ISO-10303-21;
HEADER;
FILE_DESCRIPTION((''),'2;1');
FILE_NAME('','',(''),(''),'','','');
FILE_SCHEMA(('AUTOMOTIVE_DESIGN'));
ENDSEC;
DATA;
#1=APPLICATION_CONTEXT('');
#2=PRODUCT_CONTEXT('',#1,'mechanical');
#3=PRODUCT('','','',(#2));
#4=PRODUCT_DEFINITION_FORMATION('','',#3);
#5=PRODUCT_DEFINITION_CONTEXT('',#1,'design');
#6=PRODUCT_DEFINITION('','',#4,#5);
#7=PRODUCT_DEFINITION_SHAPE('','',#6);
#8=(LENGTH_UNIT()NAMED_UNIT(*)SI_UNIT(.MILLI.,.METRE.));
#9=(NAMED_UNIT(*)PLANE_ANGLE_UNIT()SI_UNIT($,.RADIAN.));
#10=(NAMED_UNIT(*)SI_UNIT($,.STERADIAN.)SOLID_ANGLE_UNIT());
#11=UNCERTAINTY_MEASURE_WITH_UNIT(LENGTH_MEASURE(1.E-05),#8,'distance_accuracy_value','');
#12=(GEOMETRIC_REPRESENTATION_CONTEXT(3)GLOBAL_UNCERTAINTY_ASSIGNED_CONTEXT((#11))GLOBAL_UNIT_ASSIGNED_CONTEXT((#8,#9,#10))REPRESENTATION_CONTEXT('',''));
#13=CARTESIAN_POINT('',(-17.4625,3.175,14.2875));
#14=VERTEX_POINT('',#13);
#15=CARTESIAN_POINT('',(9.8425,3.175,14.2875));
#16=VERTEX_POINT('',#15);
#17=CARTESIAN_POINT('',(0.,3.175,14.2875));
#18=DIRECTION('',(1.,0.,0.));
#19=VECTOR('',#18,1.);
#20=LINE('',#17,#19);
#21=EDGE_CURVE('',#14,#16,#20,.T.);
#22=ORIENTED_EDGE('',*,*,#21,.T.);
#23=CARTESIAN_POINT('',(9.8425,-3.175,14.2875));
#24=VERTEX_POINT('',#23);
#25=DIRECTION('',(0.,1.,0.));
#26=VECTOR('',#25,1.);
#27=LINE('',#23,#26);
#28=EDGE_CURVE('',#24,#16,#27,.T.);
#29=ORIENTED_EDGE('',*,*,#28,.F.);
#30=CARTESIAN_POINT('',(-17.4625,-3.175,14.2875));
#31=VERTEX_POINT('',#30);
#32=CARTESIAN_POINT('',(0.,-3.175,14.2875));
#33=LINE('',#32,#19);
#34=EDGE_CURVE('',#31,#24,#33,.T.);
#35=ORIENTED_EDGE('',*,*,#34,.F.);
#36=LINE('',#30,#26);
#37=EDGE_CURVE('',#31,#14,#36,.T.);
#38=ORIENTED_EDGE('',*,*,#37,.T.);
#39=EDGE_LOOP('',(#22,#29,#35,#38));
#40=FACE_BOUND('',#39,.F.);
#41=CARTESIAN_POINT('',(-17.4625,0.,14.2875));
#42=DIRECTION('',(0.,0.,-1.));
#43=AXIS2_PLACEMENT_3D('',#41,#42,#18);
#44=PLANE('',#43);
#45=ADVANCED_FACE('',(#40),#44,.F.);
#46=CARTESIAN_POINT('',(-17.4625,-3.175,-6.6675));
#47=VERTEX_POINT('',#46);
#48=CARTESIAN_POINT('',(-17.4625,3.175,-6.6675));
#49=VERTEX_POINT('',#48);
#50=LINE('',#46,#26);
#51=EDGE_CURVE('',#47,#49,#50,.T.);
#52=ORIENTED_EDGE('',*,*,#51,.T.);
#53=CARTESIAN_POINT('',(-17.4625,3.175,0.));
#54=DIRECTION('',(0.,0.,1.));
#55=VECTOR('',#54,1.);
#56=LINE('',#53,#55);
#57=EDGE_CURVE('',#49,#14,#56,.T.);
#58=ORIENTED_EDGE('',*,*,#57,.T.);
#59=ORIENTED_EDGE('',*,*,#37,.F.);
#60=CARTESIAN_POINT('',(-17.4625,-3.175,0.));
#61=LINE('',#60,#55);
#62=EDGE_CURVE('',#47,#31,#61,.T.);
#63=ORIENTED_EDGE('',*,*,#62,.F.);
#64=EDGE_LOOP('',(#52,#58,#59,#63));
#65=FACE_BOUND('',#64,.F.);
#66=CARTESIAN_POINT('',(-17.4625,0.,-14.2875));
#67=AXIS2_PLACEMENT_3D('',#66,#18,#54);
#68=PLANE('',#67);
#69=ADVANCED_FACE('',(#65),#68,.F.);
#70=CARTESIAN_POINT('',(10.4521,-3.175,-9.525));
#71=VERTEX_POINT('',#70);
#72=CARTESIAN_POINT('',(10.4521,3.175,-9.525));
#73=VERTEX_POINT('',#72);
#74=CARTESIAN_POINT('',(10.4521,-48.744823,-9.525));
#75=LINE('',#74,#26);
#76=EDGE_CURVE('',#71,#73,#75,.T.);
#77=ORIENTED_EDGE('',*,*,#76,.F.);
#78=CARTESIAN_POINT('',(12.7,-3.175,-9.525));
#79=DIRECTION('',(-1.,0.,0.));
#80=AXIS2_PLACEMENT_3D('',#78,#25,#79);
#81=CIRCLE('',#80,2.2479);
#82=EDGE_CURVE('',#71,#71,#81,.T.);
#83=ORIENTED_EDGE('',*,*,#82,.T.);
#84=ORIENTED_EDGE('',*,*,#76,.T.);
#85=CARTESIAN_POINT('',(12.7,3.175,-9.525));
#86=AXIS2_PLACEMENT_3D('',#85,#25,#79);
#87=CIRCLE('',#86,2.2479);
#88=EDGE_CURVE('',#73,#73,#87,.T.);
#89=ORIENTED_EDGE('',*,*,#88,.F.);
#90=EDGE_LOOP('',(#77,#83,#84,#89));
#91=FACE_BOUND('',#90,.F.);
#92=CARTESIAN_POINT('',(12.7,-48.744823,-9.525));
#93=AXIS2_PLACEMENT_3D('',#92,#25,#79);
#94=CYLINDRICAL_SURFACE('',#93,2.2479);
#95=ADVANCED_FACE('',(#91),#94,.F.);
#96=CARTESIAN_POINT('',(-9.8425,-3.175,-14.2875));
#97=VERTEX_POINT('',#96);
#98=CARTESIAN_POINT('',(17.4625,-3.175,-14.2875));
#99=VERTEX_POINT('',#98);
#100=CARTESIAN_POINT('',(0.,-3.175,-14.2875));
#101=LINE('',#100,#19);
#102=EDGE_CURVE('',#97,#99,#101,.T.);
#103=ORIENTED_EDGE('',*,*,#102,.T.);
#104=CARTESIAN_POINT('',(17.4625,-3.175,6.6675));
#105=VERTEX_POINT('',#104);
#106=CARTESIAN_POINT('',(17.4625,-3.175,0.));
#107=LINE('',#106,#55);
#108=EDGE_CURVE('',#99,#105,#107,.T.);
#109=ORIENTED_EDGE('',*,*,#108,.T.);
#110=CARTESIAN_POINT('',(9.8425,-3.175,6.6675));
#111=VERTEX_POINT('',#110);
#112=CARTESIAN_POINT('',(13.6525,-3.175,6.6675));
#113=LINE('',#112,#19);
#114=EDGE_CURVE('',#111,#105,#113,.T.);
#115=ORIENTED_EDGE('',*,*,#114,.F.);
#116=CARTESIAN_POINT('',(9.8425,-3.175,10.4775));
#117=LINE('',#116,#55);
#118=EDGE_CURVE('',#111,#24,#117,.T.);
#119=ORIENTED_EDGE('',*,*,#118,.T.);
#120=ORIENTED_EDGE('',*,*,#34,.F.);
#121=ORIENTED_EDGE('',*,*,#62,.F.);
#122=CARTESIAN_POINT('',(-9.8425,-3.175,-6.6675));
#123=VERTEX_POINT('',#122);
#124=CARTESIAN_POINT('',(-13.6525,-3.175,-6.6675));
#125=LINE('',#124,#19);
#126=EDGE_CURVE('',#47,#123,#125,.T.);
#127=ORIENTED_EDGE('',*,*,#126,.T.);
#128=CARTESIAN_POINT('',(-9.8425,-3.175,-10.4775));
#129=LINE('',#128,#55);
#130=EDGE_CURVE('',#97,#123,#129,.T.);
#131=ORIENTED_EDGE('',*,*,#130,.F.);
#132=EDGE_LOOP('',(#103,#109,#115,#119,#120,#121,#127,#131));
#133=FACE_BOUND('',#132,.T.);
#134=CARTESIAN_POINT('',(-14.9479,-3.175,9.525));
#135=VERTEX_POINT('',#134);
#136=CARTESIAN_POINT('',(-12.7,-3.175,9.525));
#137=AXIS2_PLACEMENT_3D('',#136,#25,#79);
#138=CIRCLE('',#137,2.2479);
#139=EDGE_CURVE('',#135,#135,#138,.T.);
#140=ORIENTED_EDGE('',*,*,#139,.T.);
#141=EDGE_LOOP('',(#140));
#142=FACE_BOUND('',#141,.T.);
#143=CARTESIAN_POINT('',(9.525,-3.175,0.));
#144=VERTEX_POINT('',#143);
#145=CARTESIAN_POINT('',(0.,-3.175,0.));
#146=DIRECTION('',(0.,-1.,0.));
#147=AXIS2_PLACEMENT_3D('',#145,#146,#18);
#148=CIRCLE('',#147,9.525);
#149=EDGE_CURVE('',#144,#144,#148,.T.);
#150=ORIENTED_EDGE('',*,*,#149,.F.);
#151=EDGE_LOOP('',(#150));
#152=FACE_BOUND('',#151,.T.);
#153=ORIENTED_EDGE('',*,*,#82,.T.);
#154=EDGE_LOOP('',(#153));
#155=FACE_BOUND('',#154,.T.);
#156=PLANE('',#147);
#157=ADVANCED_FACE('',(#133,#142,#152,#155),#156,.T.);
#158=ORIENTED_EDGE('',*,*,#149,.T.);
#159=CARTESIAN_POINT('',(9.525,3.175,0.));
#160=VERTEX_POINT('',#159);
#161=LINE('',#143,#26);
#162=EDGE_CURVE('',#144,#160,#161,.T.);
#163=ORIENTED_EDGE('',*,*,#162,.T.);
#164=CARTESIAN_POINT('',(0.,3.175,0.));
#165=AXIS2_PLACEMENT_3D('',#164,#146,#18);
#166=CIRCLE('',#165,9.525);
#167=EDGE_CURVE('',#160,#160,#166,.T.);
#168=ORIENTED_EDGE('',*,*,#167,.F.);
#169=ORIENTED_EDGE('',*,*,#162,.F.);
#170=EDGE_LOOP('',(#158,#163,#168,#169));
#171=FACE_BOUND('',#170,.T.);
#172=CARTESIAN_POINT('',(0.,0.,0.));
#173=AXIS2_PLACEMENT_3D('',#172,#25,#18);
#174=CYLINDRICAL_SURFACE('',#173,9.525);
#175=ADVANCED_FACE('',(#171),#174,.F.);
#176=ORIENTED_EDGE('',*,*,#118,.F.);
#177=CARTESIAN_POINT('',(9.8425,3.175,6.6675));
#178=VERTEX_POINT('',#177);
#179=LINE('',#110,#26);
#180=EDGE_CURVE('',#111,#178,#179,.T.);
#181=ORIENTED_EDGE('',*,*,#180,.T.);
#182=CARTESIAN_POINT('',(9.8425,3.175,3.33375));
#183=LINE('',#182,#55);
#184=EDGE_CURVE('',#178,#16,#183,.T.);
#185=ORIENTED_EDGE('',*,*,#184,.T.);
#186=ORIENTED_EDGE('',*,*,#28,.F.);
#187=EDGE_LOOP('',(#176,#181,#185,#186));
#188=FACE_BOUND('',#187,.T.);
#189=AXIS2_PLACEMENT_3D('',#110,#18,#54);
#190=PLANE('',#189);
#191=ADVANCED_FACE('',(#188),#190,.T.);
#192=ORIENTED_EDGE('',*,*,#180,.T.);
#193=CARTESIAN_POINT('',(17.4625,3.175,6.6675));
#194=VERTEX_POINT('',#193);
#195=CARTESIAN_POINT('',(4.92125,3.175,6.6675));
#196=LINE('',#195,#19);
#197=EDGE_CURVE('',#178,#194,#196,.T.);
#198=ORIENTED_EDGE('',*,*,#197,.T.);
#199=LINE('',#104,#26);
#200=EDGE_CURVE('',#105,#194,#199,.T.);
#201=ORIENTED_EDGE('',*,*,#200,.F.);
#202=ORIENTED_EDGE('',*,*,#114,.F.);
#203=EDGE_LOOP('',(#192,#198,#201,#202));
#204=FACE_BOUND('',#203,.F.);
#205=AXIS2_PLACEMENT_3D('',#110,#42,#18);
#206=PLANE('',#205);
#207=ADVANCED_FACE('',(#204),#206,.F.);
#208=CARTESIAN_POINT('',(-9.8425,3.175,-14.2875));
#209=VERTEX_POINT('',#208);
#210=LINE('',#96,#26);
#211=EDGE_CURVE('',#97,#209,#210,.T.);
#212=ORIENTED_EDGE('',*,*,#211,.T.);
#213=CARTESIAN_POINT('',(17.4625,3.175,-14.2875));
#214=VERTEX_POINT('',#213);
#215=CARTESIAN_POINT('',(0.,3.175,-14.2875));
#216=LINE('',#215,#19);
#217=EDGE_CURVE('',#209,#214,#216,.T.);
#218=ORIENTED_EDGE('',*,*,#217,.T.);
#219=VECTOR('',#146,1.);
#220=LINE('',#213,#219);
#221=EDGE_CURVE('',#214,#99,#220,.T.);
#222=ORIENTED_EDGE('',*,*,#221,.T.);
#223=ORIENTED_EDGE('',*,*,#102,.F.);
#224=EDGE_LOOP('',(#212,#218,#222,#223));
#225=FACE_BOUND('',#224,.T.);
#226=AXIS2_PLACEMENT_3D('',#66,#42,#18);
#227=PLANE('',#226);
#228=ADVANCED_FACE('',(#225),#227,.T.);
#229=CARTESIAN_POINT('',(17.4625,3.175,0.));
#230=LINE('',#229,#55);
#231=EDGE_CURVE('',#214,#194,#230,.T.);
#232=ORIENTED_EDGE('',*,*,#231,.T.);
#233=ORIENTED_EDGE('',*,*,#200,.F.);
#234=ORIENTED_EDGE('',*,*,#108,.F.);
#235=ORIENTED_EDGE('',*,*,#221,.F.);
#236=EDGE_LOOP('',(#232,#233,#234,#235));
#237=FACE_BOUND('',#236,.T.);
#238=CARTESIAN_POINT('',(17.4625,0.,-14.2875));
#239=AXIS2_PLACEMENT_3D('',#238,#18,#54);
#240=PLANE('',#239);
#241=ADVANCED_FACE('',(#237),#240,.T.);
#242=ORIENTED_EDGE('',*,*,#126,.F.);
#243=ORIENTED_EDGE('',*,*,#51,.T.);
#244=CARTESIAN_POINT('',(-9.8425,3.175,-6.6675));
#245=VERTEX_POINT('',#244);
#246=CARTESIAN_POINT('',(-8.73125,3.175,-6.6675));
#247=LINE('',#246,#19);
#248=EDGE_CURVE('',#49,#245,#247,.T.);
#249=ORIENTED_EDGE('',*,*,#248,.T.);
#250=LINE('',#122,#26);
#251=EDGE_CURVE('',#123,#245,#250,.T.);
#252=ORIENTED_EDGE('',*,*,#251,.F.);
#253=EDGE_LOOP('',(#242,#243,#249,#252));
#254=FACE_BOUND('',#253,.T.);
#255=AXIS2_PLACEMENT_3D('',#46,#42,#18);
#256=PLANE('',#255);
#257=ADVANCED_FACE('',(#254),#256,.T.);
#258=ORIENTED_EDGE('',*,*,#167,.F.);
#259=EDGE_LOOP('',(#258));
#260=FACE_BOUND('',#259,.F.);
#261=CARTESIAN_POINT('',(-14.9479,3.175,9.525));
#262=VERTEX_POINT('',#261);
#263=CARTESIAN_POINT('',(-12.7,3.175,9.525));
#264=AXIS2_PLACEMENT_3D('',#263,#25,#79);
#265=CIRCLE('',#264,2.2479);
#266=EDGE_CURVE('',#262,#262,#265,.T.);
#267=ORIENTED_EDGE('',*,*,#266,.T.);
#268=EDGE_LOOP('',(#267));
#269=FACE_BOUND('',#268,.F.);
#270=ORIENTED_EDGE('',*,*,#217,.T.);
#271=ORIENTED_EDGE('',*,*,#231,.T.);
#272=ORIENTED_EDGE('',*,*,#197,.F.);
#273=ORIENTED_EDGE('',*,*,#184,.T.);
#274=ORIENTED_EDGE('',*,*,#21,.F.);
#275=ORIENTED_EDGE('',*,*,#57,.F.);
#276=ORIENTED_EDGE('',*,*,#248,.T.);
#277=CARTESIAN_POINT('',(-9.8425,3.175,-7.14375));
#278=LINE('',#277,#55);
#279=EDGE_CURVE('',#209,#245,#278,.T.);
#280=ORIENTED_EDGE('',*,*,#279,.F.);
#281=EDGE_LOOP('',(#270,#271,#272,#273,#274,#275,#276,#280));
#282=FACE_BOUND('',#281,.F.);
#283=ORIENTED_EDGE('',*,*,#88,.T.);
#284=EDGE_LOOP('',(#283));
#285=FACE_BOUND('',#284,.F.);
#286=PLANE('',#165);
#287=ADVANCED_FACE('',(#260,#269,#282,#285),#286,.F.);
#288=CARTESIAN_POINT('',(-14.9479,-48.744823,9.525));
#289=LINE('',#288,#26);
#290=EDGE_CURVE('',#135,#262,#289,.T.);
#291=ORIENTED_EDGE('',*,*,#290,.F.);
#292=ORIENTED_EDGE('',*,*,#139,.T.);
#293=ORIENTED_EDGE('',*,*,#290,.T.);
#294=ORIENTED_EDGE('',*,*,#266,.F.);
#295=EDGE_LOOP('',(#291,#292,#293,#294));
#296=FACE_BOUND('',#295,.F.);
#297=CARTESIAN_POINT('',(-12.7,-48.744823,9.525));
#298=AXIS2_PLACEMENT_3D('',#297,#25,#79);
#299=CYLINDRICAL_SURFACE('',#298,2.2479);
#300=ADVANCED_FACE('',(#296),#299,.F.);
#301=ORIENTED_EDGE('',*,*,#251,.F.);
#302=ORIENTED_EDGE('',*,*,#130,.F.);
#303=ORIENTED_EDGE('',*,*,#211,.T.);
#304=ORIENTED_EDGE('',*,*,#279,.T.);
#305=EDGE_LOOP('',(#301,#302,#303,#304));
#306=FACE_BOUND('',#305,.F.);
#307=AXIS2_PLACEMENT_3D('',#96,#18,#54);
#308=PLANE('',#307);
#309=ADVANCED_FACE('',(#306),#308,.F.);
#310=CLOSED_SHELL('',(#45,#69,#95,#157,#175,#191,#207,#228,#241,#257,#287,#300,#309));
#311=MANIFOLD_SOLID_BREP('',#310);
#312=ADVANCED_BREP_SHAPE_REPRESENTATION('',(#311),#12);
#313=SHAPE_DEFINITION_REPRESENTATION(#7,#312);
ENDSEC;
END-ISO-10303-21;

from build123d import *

# Parameters (mm, degrees)
F0_W     = 34.925
F0_H     = 28.575
F0_R     = 9.525
F1_DEPTH = 3.175
F3_D     = 4.4958
F4_W     = 7.62
F4_H     = 7.62
F5_DEPTH = 6.351


with BuildPart() as f1:
    # F0 (on Front) → F1 (new body, symmetric)
    with BuildSketch(Plane.XZ):
        Rectangle(F0_W, F0_H)
        Circle(F0_R, mode=Mode.SUBTRACT)
    extrude(amount=F1_DEPTH, both=True)

    # F3 (through all)
    with Locations(Plane.XZ.offset(3.175)):
        with Locations((-12.7, 9.525), (12.7, -9.525)):
            Hole(F3_D / 2)

    # F4 (on face) → F5 (cut, through all)
    with BuildSketch(Plane.XZ.offset(3.175)):
        with Locations((-13.6525, -10.4775)):
            Rectangle(F4_W, F4_H)
        with Locations((13.6525, 10.4775)):
            Rectangle(F4_W, F4_H)
    extrude(amount=-F5_DEPTH, mode=Mode.SUBTRACT)


solid = f1.part
